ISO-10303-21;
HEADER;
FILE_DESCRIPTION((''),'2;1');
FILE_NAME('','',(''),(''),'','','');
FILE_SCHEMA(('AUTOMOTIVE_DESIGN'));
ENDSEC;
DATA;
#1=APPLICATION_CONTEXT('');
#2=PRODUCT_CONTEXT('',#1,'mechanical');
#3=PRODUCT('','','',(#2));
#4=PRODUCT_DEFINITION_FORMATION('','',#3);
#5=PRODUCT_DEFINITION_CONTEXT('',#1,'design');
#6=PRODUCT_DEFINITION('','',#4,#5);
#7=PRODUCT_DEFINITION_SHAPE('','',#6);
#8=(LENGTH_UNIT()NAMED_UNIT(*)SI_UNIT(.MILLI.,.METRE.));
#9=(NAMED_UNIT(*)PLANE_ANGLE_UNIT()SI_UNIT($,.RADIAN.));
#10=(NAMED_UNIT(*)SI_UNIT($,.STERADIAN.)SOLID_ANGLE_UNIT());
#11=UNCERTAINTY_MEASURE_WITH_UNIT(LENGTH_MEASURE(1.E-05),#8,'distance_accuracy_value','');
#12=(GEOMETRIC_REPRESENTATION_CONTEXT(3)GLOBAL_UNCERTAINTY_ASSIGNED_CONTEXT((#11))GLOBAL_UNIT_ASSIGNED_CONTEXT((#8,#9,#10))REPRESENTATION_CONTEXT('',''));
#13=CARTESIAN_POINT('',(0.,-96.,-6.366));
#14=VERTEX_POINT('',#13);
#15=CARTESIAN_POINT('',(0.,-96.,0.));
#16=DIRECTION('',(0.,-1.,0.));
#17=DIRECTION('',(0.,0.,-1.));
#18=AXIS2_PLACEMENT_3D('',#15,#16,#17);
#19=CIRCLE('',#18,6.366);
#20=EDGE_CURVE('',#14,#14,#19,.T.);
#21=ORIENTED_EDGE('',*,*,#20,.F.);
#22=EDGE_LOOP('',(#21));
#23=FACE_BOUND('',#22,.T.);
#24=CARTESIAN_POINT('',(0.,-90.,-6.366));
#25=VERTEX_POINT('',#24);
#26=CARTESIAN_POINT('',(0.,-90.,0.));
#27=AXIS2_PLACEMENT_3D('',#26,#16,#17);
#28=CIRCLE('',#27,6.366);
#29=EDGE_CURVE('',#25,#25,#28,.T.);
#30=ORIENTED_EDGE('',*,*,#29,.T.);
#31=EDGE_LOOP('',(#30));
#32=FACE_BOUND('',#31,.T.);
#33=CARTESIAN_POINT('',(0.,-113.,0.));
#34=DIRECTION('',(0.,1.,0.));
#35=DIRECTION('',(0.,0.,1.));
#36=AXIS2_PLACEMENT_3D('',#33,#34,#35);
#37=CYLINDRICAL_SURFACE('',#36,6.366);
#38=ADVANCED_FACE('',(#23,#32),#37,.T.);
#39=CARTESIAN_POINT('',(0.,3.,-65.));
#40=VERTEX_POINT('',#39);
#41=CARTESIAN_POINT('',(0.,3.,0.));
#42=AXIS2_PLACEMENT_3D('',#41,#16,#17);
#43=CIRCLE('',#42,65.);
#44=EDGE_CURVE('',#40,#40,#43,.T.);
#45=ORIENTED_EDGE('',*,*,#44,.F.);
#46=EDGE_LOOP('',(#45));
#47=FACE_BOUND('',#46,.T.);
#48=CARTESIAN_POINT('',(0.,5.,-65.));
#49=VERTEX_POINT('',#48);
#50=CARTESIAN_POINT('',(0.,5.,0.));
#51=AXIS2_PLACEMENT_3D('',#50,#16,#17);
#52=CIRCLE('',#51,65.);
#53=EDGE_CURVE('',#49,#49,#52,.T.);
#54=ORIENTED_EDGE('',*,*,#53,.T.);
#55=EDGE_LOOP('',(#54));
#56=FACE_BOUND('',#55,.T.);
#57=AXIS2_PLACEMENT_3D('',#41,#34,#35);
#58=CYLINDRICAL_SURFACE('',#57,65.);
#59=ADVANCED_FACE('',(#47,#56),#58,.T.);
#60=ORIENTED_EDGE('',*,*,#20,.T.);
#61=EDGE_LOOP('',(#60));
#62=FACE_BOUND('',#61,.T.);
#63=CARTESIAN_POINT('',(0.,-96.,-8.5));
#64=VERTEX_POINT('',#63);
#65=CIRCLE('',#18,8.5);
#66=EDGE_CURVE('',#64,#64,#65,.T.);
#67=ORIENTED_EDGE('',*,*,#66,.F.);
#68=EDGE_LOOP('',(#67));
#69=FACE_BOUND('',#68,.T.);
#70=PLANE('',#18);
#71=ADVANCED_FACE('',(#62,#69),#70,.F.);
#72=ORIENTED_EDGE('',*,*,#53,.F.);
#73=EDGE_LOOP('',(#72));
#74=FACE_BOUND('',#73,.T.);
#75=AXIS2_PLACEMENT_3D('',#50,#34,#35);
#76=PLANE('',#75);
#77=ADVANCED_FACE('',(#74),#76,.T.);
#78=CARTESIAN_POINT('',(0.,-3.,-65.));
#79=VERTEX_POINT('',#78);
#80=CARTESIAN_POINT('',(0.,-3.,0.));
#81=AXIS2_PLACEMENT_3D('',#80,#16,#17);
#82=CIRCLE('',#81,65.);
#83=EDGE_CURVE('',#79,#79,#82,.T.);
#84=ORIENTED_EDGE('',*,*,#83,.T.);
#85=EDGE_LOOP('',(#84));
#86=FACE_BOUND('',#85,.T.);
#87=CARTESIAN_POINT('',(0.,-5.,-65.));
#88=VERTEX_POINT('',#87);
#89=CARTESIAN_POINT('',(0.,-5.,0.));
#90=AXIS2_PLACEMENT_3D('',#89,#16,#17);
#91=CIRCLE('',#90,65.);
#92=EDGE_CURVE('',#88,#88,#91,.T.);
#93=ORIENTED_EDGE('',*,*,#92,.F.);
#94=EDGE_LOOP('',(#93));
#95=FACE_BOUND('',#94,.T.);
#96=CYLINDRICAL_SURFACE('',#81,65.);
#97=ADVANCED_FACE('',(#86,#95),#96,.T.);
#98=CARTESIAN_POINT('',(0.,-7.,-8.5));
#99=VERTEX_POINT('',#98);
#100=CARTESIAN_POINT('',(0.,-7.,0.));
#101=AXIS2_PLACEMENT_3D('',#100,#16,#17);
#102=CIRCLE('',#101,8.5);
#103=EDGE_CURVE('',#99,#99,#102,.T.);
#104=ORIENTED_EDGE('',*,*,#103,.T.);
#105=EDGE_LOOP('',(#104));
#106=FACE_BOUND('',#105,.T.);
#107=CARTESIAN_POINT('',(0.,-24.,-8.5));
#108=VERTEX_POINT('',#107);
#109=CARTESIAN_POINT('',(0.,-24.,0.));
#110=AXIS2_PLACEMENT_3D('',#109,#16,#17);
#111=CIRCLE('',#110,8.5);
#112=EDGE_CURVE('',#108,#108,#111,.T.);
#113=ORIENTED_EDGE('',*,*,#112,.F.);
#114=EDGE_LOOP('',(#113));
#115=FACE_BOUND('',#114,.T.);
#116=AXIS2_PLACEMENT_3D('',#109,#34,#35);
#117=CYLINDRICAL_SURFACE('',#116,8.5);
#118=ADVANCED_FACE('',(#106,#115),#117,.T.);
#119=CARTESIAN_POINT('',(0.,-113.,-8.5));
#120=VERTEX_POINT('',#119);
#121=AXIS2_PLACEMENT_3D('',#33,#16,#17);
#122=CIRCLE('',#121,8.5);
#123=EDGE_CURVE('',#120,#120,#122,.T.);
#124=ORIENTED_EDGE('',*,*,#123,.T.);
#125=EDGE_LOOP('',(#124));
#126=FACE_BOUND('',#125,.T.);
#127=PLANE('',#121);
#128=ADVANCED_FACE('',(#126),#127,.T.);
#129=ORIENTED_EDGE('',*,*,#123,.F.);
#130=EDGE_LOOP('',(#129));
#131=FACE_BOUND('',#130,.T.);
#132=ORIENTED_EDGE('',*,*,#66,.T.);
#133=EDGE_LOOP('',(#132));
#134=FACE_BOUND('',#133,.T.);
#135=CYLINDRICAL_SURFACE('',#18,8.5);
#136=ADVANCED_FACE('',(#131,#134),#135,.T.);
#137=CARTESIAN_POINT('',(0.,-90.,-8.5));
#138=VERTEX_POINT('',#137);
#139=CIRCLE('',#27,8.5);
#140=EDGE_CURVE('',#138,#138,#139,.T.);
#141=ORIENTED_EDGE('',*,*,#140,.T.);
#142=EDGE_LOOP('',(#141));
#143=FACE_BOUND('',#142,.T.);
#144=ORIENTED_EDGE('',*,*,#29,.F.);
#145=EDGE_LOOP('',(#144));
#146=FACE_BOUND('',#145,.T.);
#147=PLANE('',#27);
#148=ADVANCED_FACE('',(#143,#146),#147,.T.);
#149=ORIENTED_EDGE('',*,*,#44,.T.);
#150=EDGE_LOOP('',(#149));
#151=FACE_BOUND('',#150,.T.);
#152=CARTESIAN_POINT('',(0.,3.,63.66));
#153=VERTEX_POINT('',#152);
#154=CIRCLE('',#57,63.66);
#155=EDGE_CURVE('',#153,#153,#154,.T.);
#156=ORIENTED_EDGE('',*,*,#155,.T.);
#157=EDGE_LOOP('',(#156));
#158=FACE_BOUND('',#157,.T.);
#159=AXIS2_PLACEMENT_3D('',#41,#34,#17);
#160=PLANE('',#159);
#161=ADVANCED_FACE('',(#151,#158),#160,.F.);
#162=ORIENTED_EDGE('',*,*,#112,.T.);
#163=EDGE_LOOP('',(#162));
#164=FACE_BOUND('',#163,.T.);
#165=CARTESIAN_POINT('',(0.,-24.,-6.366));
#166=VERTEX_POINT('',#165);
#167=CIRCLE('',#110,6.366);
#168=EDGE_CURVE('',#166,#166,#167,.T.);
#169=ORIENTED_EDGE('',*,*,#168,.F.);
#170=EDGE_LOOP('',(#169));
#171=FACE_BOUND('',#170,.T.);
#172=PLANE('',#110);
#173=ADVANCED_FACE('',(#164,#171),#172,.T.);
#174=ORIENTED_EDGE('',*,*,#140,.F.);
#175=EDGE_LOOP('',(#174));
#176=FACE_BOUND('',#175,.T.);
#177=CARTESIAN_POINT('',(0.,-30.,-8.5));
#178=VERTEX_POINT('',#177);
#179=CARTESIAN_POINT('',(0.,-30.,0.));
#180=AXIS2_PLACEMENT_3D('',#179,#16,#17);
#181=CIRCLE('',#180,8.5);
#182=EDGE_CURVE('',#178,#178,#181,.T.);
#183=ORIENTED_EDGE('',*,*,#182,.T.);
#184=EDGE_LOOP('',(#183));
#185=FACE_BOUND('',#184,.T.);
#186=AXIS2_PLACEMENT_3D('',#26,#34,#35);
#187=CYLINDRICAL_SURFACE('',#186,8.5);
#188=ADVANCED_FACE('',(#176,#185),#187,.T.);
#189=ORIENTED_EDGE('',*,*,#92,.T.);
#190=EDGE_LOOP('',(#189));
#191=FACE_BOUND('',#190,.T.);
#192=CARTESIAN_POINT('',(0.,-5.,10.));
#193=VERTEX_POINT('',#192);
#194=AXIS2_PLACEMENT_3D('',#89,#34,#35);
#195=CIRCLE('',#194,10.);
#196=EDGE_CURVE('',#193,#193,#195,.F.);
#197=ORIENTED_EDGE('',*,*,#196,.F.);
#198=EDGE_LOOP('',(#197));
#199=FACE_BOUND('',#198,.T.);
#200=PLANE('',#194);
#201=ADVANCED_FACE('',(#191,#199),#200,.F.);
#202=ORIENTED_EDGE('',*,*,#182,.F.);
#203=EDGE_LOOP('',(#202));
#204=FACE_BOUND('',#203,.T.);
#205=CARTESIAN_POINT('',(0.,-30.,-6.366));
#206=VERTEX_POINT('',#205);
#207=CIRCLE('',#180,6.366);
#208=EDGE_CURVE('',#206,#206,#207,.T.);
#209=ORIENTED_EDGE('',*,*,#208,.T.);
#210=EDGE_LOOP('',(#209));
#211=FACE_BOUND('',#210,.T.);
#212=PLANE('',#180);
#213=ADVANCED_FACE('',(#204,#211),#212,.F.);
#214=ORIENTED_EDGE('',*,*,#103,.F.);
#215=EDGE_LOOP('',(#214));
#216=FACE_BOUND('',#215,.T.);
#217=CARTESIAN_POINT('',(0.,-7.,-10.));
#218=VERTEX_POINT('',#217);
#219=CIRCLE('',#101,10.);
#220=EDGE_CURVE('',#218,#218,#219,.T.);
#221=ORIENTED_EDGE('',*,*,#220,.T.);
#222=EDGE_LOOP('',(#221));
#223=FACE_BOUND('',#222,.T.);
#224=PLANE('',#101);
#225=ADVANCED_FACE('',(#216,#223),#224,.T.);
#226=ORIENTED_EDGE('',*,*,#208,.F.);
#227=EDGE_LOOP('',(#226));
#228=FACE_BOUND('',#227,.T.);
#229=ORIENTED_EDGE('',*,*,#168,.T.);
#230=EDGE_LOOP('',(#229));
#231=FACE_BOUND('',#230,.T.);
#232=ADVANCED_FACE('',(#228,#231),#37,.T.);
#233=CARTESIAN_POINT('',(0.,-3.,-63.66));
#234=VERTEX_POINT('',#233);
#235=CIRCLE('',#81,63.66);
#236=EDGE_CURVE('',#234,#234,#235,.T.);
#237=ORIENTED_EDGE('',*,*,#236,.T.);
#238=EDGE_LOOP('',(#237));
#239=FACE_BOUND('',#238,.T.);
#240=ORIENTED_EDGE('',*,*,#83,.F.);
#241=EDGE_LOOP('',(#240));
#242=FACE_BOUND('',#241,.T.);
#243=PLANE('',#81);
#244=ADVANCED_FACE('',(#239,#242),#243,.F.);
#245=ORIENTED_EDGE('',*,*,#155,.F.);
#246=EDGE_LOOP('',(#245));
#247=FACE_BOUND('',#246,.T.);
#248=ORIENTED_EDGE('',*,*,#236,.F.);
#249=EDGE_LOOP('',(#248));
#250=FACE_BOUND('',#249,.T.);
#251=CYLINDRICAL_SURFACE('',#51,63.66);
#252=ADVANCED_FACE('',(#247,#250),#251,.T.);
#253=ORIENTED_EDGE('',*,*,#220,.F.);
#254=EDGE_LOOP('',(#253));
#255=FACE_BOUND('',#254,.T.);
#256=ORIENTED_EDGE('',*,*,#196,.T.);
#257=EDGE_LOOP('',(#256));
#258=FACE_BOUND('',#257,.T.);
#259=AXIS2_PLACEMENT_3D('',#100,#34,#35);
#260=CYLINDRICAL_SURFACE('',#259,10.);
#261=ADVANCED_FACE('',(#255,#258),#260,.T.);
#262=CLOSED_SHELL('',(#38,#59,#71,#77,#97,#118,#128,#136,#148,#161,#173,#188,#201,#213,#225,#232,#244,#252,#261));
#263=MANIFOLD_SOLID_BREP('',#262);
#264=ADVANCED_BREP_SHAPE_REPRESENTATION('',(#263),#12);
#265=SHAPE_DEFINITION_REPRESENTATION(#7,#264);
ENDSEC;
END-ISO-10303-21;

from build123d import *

# Parameters (mm, degrees)
SKETCH2_R           = 63.66
BOSS_EXTRUDE1_DEPTH = 5
SKETCH3_R           = 65
BOSS_EXTRUDE2_DEPTH = 2
SKETCH4_R           = 6.366
BOSS_EXTRUDE3_DEPTH = 108
SKETCH5_R           = 8.5
BOSS_EXTRUDE4_DEPTH = 17
SKETCH6_R           = 10
BOSS_EXTRUDE5_DEPTH = 2
BOSS_EXTRUDE6_START = 17
SKETCH7_R           = 8.5
BOSS_EXTRUDE6_DEPTH = 17
SKETCH8_R           = 8.5
BOSS_EXTRUDE7_DEPTH = 30


with BuildPart() as part:
    # Sketch2 → Boss-Extrude1 (new, symmetric)
    with BuildSketch(Plane(origin=(0, 0, 0), x_dir=(1, 0, 0), z_dir=(0, 1, 0))):
        with Locations(Location((0, 0, 0), (0, 0, 270))):
            Circle(SKETCH2_R)
    extrude(amount=BOSS_EXTRUDE1_DEPTH, both=True)

    # Sketch3 → Boss-Extrude2 (add)
    with BuildSketch(Plane.XZ.offset(5)):
        with Locations(Location((0, 0, 0), (0, 0, 270))):
            Circle(SKETCH3_R)
    boss_extrude2 = extrude(amount=-BOSS_EXTRUDE2_DEPTH)

    # Mirror1: Boss-Extrude2 across plane
    add(boss_extrude2.mirror(Plane.ZX))

    # Sketch4 → Boss-Extrude3 (add)
    with BuildSketch(Plane.XZ.offset(5)):
        with Locations(Location((0, 0, 0), (0, 0, 90))):
            Circle(SKETCH4_R)
    extrude(amount=BOSS_EXTRUDE3_DEPTH)

    # Sketch5 → Boss-Extrude4 (add)
    with BuildSketch(Plane.XZ.offset(113)):
        with Locations(Location((0, 0, 0), (0, 0, 270))):
            Circle(SKETCH5_R)
    extrude(amount=-BOSS_EXTRUDE4_DEPTH)

    # Sketch6 → Boss-Extrude5 (add)
    with BuildSketch(Plane.XZ.offset(5)):
        with Locations(Location((0, 0, 0), (0, 0, 90))):
            Circle(SKETCH6_R)
    extrude(amount=BOSS_EXTRUDE5_DEPTH)

    # Sketch7 → Boss-Extrude6 (add)
    with BuildSketch(Plane.XZ.offset(7).offset(BOSS_EXTRUDE6_START)):
        with Locations(Location((0, 0, 0), (0, 0, 270))):
            Circle(SKETCH7_R)
    extrude(amount=-BOSS_EXTRUDE6_DEPTH)

    # Sketch8 → Boss-Extrude7 (add, symmetric)
    with BuildSketch(Plane(origin=(0, -60, 0), x_dir=(-1, 0, 0), z_dir=(0, -1, 0))):
        with Locations(Location((0, 0, 0), (0, 0, 90))):
            Circle(SKETCH8_R)
    extrude(amount=BOSS_EXTRUDE7_DEPTH, both=True)


solid = part.part
